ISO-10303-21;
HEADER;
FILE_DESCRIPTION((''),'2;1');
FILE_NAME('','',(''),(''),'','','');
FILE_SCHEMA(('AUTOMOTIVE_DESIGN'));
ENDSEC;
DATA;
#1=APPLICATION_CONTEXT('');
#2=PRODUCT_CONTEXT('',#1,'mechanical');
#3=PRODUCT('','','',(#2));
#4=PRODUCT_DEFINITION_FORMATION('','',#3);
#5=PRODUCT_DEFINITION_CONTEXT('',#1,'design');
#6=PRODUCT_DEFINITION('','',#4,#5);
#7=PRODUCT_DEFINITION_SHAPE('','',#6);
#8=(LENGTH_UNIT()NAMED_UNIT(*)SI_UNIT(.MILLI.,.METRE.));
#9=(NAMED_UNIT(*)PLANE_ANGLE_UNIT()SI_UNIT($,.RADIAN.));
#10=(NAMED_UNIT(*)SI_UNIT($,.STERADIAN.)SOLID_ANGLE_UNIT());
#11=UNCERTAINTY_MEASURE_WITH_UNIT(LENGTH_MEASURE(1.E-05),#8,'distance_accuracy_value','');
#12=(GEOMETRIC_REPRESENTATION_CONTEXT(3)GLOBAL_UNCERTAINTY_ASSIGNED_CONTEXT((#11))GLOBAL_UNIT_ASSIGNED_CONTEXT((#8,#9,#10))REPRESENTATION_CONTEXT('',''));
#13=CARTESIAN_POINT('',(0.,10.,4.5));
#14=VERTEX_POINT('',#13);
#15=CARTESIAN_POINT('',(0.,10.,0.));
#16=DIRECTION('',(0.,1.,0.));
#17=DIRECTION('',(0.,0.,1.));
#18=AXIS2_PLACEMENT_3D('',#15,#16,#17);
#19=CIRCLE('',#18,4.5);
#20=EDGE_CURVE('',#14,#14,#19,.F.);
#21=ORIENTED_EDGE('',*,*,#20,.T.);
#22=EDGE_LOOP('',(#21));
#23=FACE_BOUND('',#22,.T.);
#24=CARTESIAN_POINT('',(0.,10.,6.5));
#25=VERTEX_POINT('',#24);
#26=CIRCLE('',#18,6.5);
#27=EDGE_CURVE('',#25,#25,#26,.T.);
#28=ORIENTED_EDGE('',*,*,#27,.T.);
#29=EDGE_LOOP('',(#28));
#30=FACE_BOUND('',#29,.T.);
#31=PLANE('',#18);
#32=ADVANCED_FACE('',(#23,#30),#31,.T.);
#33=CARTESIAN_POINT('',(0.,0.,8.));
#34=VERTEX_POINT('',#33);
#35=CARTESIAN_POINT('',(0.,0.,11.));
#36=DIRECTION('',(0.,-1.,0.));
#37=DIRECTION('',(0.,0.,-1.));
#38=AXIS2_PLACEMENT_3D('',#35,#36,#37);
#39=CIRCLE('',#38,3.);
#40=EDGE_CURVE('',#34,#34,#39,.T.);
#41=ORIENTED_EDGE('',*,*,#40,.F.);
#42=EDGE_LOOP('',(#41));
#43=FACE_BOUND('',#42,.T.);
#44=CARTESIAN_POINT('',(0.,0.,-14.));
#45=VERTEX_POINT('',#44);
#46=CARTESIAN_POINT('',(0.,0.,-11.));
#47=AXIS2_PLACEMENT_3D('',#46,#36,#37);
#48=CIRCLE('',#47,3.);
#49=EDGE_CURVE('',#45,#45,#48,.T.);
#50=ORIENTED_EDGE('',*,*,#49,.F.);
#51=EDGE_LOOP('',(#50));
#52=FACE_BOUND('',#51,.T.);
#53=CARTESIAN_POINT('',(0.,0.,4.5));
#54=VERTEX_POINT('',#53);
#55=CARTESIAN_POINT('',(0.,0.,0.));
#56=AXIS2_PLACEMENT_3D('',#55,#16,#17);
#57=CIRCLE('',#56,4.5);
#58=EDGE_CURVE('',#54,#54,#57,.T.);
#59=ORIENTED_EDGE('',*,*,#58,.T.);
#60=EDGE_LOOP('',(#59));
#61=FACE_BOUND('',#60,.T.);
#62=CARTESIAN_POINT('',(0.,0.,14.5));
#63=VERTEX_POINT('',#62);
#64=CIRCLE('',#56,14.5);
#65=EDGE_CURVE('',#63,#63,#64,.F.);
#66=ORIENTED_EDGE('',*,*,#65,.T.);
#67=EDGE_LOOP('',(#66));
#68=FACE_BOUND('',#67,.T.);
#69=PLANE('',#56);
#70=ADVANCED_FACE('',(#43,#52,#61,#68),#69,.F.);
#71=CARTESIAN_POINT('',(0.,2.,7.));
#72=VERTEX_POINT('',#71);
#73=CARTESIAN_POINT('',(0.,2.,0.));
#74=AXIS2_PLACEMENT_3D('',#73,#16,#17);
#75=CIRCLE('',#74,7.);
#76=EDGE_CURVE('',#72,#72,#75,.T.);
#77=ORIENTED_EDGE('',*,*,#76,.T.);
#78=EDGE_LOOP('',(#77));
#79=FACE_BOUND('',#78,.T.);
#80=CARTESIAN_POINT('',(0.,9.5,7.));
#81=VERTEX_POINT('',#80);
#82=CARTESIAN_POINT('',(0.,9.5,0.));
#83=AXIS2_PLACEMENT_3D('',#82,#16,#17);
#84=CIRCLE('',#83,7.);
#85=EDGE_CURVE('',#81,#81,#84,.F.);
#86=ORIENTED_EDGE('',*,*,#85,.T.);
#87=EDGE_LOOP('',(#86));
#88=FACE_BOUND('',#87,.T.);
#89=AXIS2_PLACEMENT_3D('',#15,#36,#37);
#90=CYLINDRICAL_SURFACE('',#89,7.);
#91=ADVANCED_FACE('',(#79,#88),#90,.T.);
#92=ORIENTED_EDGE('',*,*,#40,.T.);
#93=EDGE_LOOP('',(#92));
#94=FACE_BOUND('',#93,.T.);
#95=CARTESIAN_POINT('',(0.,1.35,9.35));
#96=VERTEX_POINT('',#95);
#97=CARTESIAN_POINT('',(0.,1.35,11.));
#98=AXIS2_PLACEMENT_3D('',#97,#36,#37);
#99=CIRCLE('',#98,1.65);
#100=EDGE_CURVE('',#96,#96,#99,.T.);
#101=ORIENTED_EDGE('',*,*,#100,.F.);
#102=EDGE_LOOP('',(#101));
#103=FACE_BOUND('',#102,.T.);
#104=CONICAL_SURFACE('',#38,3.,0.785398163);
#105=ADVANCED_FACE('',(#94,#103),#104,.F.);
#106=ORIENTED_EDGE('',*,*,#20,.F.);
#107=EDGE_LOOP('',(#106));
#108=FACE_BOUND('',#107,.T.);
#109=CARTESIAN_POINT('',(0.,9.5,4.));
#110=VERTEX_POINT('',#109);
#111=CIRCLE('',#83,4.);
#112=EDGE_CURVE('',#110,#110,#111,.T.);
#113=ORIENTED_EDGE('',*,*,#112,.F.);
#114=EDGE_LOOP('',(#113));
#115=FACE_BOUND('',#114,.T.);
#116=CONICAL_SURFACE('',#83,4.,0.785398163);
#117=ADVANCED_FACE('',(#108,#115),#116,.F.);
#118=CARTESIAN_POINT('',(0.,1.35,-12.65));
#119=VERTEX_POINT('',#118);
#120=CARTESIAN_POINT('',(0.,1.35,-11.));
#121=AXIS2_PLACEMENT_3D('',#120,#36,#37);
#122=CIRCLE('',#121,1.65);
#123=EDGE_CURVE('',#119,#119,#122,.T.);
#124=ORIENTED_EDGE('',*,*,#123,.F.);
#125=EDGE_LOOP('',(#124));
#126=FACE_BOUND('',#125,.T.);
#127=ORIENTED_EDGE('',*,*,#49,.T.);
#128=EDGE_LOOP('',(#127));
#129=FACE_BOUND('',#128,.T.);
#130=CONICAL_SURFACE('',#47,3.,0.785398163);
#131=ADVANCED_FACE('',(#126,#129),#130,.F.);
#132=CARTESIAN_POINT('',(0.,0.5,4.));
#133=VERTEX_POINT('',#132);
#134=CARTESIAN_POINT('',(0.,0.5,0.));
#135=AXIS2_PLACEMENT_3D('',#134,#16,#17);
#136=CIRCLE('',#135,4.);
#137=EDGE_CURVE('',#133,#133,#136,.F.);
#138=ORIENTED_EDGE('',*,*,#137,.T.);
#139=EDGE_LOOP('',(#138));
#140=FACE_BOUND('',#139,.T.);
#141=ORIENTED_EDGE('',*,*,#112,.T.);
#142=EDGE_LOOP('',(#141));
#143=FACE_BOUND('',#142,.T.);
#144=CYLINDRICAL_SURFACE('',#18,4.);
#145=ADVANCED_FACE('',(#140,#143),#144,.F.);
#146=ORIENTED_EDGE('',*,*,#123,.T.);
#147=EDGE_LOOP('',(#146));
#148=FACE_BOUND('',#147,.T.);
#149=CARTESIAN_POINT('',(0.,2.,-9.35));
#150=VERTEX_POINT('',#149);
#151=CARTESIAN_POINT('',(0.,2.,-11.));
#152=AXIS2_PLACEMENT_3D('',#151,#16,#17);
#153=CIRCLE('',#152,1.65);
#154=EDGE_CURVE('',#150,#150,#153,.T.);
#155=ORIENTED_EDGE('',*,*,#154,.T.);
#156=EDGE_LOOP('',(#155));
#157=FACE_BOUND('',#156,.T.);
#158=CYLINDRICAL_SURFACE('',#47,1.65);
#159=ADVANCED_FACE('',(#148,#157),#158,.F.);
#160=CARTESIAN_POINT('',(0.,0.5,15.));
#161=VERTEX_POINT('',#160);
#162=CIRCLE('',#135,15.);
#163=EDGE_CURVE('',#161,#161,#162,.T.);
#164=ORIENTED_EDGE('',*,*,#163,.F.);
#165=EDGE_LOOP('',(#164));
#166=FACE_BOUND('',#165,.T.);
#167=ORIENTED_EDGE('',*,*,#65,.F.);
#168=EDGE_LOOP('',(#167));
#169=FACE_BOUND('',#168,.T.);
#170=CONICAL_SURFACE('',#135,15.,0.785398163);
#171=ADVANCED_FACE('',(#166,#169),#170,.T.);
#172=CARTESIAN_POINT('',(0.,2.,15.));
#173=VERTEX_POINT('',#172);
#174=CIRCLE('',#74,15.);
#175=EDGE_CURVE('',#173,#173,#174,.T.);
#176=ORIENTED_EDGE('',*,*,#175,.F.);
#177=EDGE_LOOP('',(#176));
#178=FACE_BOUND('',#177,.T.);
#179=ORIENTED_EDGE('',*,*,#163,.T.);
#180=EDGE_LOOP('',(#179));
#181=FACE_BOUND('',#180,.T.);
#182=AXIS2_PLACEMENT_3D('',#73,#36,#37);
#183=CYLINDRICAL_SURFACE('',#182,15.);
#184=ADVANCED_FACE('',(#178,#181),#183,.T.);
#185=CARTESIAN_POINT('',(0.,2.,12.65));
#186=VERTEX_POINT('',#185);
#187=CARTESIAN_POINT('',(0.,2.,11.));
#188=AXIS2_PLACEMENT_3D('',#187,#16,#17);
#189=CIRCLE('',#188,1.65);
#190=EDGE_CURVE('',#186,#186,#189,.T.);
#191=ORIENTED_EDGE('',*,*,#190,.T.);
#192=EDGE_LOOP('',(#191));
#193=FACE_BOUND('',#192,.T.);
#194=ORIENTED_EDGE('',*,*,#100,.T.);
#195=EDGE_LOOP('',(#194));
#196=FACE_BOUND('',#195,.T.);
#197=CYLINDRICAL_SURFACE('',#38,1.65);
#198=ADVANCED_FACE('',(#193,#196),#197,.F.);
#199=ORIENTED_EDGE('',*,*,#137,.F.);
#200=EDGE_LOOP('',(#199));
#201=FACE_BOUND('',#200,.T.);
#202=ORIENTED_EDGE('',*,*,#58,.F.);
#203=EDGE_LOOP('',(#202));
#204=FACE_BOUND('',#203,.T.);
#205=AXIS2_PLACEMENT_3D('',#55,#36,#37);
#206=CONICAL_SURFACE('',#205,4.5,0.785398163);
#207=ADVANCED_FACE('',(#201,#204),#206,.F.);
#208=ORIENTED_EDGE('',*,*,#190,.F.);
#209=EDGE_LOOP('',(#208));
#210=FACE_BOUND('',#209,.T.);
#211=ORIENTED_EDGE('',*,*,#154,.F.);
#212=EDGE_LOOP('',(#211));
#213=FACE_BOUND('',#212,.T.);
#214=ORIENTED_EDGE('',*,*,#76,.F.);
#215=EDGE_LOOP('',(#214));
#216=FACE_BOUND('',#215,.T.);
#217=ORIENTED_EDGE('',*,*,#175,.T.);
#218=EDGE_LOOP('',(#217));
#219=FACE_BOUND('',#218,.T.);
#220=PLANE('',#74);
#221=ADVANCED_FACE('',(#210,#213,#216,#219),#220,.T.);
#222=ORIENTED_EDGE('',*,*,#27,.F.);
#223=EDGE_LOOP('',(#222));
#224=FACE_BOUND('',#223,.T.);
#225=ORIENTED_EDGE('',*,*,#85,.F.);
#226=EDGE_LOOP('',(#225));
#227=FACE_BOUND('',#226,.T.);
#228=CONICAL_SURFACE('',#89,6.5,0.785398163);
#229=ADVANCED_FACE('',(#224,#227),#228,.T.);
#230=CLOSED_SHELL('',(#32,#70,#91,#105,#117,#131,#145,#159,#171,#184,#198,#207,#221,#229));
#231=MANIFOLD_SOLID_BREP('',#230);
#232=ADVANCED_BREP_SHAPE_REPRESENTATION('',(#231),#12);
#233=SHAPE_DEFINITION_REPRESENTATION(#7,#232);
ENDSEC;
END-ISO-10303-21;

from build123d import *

# Parameters (mm, degrees)
SKETCH_1_R                   = 15
EXTRUDE_1_DEPTH              = 2
SKETCH_2_R                   = 7
EXTRUDE_2_DEPTH              = 8
F_8_0MM_1_D                  = 8
HOLE_WIZARD_M6_1_D           = 3.3
HOLE_WIZARD_M6_1_CSINK_D     = 6
HOLE_WIZARD_M6_1_CSINK_ANGLE = 90
CHAMFER_1_SIZE               = 0.5


with BuildPart() as part:
    # 草图1 → 凸台-拉伸1 (new body)
    with BuildSketch(Plane(origin=(0, 0, 0), x_dir=(1, 0, 0), z_dir=(0, 1, 0))):
        with Locations(Location((0, 0, 0), (0, 0, 270))):
            Circle(SKETCH_1_R)
    extrude(amount=EXTRUDE_1_DEPTH)

    # 草图2 → 凸台-拉伸2 (add)
    with BuildSketch(Plane(origin=(0, 2, 0), x_dir=(1, 0, 0), z_dir=(0, 1, 0))):
        with Locations(Location((0, 0, 0), (0, 0, 270))):
            Circle(SKETCH_2_R)
    extrude(amount=EXTRUDE_2_DEPTH)

    # Ø8.0mm 暗销孔1 (through all)
    with Locations(Plane.ZX.offset(10)):
        with Locations((0, 0)):
            Hole(F_8_0MM_1_D / 2)

    # M6 内六角花形半沉头螺钉的锥形沉头孔1 (through all)
    with Locations(Plane(origin=(0, 0, -11), x_dir=(0, 0, -1), z_dir=(0, -1, 0))):
        with Locations((0, 0)):
            hole_wizard_m6_1 = CounterSinkHole(HOLE_WIZARD_M6_1_D / 2, HOLE_WIZARD_M6_1_CSINK_D / 2, counter_sink_angle=HOLE_WIZARD_M6_1_CSINK_ANGLE)

    # 镜向1: M6 内六角花形半沉头螺钉的锥形沉头孔1 across plane
    add(hole_wizard_m6_1.mirror(Plane.XY), mode=Mode.SUBTRACT)

    # 倒角1
    chamfer_1_edges = [part.edges().sort_by_distance(p)[0] for p in [
        (0, 10, 4),
        (0, 0, 4),
        (0, 0, -15),
        (0, 10, -7),
    ]]
    chamfer(chamfer_1_edges, length=CHAMFER_1_SIZE)


solid = part.part
